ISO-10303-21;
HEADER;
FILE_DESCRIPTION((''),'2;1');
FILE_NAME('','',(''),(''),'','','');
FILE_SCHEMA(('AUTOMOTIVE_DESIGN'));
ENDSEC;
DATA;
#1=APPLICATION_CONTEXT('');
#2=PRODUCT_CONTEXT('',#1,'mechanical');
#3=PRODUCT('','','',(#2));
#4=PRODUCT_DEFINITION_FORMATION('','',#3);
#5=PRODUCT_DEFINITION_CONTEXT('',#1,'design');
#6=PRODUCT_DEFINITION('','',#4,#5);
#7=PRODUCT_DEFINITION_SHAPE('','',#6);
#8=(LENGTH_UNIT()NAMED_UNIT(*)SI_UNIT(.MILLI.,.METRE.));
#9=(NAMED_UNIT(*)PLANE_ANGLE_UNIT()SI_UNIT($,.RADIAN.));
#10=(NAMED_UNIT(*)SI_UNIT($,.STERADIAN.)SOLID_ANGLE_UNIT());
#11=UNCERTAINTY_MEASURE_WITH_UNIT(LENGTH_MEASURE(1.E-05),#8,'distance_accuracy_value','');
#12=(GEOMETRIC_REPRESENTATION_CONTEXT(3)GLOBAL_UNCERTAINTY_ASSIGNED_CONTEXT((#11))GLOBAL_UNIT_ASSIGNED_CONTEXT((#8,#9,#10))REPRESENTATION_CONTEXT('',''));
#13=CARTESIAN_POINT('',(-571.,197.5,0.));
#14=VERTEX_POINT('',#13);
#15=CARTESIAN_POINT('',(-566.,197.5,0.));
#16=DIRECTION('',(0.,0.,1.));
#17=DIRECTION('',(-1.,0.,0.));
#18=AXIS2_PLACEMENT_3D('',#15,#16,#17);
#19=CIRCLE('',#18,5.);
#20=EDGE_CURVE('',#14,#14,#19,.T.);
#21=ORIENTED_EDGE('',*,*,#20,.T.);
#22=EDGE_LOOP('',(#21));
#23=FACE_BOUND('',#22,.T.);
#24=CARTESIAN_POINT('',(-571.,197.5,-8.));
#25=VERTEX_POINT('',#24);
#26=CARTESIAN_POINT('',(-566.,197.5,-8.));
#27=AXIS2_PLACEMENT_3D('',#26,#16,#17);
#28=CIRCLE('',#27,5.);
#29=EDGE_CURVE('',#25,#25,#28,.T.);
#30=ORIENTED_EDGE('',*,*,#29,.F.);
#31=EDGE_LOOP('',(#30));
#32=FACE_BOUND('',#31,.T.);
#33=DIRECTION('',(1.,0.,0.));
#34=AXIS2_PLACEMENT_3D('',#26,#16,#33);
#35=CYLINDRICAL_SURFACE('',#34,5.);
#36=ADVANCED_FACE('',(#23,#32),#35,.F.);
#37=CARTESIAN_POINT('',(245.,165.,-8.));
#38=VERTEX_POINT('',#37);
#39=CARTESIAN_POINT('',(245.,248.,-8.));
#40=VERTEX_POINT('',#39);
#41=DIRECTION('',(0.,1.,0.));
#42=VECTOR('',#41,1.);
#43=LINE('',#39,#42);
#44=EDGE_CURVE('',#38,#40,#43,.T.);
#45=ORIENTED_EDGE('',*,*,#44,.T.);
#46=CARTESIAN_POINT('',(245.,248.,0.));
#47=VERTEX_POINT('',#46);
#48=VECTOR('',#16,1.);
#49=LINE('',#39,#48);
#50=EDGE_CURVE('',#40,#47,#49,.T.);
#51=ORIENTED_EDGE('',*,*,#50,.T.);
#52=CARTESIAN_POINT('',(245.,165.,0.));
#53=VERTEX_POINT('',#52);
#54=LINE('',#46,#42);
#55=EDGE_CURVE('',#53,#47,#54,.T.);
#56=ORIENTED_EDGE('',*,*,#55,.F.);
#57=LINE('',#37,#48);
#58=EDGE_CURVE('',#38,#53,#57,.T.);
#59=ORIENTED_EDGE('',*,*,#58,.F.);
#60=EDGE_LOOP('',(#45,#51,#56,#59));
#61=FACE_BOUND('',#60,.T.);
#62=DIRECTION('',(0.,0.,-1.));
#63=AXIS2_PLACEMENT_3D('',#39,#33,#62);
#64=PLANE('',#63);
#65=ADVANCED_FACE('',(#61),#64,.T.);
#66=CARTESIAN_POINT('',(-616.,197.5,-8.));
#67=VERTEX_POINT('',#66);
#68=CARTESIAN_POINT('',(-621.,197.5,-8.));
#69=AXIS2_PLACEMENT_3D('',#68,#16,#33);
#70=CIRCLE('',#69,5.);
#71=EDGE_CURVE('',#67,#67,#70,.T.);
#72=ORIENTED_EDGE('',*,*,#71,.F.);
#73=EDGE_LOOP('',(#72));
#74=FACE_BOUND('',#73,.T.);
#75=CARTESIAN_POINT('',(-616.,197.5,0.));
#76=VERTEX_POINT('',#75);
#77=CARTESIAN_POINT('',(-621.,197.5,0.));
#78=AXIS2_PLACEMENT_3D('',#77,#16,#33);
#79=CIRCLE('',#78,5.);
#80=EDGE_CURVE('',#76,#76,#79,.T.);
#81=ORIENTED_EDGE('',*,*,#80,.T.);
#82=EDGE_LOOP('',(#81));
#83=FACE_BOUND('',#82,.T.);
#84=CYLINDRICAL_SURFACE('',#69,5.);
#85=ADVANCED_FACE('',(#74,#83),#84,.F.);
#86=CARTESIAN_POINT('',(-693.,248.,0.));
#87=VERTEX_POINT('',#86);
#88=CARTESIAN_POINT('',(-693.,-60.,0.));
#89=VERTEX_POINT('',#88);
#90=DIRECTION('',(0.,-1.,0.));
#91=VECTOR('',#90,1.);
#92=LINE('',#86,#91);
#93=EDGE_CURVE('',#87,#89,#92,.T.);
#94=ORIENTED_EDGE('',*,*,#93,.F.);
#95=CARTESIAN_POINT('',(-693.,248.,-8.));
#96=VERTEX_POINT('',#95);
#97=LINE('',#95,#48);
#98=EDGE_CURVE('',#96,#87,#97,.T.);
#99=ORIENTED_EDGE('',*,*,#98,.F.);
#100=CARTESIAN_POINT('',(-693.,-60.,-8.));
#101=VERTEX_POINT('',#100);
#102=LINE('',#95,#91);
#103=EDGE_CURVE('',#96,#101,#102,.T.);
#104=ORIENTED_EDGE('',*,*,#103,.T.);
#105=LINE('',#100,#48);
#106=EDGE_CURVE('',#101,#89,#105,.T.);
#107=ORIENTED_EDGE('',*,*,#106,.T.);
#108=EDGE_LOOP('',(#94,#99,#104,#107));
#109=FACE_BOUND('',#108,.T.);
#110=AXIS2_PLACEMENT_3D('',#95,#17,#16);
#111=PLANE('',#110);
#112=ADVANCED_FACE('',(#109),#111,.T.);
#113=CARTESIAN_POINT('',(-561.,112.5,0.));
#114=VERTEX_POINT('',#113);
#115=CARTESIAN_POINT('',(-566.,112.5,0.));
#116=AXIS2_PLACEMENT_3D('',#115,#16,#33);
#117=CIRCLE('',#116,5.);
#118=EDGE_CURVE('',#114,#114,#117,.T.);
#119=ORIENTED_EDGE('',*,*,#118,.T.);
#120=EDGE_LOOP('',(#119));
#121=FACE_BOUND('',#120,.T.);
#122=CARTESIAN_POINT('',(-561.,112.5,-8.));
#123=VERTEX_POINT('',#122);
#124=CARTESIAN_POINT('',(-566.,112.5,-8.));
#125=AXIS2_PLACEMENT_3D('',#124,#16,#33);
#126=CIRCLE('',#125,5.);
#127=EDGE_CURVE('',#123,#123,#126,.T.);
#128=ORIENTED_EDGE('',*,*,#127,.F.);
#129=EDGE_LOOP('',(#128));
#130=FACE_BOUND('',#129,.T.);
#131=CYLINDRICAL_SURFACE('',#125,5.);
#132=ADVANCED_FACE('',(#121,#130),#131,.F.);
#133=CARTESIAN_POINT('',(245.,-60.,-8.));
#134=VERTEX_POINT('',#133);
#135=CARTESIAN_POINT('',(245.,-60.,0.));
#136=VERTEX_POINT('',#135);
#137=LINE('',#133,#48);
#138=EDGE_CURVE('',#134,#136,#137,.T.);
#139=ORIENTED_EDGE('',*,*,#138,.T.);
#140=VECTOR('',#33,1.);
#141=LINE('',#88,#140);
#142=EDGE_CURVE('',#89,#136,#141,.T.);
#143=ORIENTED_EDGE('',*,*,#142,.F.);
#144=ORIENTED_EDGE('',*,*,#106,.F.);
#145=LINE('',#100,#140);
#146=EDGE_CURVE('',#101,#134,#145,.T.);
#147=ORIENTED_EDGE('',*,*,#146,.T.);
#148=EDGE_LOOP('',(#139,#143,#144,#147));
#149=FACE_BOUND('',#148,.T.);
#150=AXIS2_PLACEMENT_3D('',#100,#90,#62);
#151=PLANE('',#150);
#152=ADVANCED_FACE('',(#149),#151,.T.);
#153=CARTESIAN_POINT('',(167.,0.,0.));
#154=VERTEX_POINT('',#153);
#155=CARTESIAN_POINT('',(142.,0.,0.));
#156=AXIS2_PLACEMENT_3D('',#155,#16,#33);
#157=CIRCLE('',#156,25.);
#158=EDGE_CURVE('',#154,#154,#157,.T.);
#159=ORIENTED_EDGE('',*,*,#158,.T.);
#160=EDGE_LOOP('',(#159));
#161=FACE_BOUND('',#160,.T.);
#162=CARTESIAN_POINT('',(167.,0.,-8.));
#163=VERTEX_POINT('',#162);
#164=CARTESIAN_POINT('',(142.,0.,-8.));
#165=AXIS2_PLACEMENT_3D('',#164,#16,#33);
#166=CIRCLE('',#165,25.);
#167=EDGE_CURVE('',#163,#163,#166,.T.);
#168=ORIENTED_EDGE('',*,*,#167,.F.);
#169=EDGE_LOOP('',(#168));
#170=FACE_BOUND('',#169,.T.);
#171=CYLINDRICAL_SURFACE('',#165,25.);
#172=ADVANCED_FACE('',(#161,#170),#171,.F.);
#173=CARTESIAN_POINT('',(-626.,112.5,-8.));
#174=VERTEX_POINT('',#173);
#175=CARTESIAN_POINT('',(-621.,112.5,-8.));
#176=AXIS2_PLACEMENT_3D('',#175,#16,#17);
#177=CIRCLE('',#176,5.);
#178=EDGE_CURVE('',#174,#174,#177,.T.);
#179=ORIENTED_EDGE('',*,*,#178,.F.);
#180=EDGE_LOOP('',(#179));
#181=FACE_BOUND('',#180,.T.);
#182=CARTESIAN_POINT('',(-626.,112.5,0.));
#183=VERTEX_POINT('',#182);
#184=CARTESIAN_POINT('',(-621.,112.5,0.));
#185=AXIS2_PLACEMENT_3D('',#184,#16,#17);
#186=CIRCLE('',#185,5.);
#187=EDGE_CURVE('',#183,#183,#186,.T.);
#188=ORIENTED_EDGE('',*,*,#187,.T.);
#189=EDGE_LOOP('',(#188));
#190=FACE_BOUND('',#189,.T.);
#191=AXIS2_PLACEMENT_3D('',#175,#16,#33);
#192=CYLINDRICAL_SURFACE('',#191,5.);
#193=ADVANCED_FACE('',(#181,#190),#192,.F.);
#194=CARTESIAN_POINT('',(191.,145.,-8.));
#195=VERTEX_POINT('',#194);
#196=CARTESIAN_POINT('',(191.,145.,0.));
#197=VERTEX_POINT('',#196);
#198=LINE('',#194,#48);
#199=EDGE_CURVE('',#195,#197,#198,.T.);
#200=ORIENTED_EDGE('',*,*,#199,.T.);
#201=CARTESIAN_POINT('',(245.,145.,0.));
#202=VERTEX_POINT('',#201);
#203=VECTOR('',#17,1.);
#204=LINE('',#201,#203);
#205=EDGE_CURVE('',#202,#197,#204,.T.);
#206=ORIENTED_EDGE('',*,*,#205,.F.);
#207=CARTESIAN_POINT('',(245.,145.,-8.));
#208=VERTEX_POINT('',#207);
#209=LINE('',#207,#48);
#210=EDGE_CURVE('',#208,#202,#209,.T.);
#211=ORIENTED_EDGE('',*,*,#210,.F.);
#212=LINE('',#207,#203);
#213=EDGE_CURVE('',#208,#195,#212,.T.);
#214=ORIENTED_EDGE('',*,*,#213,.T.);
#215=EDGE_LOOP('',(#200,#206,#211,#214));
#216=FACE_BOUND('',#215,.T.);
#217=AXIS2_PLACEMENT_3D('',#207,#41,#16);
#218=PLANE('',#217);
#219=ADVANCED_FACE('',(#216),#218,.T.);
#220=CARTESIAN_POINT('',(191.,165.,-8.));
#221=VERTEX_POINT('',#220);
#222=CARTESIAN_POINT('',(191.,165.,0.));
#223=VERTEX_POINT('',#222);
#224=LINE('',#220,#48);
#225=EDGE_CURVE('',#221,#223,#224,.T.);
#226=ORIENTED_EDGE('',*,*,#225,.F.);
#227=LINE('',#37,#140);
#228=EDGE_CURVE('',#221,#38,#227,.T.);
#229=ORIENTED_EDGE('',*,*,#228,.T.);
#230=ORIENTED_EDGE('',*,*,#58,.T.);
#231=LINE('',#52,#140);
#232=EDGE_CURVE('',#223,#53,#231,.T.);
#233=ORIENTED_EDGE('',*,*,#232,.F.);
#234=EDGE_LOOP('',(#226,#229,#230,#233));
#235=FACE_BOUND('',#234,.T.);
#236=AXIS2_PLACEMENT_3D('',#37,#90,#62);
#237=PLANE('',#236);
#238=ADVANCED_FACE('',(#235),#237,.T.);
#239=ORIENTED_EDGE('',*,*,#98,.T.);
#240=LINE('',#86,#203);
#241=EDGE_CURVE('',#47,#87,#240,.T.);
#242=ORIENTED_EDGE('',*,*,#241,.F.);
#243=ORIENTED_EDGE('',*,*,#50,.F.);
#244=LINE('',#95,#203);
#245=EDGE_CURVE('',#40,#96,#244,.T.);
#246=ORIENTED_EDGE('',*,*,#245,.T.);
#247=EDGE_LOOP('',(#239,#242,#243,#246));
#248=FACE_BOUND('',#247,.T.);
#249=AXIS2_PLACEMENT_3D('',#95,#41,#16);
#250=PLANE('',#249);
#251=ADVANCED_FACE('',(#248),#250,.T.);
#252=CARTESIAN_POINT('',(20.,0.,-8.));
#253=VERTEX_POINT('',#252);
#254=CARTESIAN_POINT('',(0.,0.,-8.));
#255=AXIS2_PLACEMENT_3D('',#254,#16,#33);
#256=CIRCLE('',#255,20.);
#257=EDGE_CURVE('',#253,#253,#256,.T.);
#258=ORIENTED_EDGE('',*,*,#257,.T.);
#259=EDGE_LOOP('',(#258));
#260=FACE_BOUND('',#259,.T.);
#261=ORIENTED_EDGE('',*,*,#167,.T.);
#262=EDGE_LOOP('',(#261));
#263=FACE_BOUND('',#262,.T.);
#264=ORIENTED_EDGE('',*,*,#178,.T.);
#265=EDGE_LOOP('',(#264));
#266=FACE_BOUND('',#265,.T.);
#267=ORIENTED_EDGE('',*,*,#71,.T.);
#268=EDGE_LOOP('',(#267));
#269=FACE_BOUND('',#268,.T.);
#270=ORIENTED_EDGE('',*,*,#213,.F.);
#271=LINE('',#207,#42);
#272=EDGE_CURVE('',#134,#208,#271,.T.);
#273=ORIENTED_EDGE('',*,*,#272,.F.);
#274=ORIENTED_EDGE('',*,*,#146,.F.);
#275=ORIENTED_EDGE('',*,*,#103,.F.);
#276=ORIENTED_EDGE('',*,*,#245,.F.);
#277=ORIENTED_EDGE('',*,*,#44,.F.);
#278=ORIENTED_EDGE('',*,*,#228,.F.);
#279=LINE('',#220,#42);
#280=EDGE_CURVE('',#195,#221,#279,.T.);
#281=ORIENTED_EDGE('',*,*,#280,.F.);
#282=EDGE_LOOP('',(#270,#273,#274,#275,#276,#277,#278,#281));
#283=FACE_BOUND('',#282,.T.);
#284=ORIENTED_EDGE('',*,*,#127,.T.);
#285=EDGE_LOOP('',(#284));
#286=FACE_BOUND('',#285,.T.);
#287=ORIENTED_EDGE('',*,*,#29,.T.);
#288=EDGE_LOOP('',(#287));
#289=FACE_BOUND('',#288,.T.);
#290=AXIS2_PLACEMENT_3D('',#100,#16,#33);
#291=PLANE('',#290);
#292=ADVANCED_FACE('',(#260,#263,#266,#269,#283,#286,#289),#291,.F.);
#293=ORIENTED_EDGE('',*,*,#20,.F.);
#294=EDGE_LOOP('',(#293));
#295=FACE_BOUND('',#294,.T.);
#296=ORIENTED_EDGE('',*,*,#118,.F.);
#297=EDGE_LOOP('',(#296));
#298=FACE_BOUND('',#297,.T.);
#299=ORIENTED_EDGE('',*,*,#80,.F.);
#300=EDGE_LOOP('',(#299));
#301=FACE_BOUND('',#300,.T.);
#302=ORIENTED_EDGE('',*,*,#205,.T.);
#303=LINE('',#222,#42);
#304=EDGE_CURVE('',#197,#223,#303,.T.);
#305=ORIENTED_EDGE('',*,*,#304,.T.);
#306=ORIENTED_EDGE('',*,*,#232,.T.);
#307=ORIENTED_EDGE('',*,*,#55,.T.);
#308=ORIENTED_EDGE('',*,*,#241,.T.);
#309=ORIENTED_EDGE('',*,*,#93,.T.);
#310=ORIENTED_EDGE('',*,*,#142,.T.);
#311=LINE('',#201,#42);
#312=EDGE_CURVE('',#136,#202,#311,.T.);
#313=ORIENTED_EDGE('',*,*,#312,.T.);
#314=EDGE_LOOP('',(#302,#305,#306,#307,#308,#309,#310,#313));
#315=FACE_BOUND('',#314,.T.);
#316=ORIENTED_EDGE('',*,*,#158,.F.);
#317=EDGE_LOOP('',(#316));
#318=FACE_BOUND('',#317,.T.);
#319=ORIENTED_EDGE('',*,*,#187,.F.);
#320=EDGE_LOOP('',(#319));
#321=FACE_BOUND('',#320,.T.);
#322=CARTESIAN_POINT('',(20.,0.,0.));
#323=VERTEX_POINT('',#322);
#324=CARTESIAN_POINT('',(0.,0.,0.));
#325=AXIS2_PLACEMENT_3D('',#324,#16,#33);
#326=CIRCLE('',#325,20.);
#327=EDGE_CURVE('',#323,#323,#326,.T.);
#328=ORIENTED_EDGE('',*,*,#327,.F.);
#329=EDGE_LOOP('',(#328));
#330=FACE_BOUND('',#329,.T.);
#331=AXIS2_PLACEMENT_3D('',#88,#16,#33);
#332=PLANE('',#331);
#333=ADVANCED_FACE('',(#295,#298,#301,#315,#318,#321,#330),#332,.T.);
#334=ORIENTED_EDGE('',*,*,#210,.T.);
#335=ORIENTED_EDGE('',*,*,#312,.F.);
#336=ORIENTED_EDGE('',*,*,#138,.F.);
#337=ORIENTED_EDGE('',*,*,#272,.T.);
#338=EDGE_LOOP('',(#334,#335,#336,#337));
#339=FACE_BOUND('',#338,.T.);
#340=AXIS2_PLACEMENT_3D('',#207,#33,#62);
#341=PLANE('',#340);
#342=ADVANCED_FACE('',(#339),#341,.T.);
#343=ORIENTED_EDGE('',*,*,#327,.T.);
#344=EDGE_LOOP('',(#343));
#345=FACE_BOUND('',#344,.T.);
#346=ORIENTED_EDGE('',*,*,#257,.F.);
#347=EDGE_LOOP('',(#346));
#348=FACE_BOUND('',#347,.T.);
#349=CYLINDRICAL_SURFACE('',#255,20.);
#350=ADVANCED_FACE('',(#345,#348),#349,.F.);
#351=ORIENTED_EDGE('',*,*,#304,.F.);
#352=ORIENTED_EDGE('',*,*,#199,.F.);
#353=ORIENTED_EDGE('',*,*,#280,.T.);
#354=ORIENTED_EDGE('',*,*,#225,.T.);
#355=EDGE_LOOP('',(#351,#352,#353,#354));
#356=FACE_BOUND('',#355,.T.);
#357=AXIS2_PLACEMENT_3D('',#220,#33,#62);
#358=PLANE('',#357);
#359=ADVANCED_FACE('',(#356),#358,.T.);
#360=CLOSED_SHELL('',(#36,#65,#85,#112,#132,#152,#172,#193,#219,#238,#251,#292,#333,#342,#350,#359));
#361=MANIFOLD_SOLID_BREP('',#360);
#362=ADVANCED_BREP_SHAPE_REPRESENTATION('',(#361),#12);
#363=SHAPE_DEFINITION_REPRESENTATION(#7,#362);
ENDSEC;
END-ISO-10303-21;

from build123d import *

# Parameters (mm, degrees)
ESQUISSEREF_R    = 20
ESQUISSEREF_R_2  = 5
ESQUISSEREF_R_3  = 25
EXTRUSION1_DEPTH = 8


with BuildPart() as part:
    # EsquisseRef → Extrusion1 (new body)
    with BuildSketch(Plane.XY):
        Polygon((-693, 248), (245, 248), (245, 165), (191, 165), (191, 145), (245, 145), (245, -60), (-693, -60), align=None)
        Circle(ESQUISSEREF_R, mode=Mode.SUBTRACT)
        with Locations((-621, 197.5)):
            Circle(ESQUISSEREF_R_2, mode=Mode.SUBTRACT)
        with Locations((-566, 197.5)):
            Circle(ESQUISSEREF_R_2, mode=Mode.SUBTRACT)
        with Locations((-566, 112.5)):
            Circle(ESQUISSEREF_R_2, mode=Mode.SUBTRACT)
        with Locations((-621, 112.5)):
            Circle(ESQUISSEREF_R_2, mode=Mode.SUBTRACT)
        with Locations((142, 0)):
            Circle(ESQUISSEREF_R_3, mode=Mode.SUBTRACT)
    extrude(amount=-EXTRUSION1_DEPTH)


solid = part.part
